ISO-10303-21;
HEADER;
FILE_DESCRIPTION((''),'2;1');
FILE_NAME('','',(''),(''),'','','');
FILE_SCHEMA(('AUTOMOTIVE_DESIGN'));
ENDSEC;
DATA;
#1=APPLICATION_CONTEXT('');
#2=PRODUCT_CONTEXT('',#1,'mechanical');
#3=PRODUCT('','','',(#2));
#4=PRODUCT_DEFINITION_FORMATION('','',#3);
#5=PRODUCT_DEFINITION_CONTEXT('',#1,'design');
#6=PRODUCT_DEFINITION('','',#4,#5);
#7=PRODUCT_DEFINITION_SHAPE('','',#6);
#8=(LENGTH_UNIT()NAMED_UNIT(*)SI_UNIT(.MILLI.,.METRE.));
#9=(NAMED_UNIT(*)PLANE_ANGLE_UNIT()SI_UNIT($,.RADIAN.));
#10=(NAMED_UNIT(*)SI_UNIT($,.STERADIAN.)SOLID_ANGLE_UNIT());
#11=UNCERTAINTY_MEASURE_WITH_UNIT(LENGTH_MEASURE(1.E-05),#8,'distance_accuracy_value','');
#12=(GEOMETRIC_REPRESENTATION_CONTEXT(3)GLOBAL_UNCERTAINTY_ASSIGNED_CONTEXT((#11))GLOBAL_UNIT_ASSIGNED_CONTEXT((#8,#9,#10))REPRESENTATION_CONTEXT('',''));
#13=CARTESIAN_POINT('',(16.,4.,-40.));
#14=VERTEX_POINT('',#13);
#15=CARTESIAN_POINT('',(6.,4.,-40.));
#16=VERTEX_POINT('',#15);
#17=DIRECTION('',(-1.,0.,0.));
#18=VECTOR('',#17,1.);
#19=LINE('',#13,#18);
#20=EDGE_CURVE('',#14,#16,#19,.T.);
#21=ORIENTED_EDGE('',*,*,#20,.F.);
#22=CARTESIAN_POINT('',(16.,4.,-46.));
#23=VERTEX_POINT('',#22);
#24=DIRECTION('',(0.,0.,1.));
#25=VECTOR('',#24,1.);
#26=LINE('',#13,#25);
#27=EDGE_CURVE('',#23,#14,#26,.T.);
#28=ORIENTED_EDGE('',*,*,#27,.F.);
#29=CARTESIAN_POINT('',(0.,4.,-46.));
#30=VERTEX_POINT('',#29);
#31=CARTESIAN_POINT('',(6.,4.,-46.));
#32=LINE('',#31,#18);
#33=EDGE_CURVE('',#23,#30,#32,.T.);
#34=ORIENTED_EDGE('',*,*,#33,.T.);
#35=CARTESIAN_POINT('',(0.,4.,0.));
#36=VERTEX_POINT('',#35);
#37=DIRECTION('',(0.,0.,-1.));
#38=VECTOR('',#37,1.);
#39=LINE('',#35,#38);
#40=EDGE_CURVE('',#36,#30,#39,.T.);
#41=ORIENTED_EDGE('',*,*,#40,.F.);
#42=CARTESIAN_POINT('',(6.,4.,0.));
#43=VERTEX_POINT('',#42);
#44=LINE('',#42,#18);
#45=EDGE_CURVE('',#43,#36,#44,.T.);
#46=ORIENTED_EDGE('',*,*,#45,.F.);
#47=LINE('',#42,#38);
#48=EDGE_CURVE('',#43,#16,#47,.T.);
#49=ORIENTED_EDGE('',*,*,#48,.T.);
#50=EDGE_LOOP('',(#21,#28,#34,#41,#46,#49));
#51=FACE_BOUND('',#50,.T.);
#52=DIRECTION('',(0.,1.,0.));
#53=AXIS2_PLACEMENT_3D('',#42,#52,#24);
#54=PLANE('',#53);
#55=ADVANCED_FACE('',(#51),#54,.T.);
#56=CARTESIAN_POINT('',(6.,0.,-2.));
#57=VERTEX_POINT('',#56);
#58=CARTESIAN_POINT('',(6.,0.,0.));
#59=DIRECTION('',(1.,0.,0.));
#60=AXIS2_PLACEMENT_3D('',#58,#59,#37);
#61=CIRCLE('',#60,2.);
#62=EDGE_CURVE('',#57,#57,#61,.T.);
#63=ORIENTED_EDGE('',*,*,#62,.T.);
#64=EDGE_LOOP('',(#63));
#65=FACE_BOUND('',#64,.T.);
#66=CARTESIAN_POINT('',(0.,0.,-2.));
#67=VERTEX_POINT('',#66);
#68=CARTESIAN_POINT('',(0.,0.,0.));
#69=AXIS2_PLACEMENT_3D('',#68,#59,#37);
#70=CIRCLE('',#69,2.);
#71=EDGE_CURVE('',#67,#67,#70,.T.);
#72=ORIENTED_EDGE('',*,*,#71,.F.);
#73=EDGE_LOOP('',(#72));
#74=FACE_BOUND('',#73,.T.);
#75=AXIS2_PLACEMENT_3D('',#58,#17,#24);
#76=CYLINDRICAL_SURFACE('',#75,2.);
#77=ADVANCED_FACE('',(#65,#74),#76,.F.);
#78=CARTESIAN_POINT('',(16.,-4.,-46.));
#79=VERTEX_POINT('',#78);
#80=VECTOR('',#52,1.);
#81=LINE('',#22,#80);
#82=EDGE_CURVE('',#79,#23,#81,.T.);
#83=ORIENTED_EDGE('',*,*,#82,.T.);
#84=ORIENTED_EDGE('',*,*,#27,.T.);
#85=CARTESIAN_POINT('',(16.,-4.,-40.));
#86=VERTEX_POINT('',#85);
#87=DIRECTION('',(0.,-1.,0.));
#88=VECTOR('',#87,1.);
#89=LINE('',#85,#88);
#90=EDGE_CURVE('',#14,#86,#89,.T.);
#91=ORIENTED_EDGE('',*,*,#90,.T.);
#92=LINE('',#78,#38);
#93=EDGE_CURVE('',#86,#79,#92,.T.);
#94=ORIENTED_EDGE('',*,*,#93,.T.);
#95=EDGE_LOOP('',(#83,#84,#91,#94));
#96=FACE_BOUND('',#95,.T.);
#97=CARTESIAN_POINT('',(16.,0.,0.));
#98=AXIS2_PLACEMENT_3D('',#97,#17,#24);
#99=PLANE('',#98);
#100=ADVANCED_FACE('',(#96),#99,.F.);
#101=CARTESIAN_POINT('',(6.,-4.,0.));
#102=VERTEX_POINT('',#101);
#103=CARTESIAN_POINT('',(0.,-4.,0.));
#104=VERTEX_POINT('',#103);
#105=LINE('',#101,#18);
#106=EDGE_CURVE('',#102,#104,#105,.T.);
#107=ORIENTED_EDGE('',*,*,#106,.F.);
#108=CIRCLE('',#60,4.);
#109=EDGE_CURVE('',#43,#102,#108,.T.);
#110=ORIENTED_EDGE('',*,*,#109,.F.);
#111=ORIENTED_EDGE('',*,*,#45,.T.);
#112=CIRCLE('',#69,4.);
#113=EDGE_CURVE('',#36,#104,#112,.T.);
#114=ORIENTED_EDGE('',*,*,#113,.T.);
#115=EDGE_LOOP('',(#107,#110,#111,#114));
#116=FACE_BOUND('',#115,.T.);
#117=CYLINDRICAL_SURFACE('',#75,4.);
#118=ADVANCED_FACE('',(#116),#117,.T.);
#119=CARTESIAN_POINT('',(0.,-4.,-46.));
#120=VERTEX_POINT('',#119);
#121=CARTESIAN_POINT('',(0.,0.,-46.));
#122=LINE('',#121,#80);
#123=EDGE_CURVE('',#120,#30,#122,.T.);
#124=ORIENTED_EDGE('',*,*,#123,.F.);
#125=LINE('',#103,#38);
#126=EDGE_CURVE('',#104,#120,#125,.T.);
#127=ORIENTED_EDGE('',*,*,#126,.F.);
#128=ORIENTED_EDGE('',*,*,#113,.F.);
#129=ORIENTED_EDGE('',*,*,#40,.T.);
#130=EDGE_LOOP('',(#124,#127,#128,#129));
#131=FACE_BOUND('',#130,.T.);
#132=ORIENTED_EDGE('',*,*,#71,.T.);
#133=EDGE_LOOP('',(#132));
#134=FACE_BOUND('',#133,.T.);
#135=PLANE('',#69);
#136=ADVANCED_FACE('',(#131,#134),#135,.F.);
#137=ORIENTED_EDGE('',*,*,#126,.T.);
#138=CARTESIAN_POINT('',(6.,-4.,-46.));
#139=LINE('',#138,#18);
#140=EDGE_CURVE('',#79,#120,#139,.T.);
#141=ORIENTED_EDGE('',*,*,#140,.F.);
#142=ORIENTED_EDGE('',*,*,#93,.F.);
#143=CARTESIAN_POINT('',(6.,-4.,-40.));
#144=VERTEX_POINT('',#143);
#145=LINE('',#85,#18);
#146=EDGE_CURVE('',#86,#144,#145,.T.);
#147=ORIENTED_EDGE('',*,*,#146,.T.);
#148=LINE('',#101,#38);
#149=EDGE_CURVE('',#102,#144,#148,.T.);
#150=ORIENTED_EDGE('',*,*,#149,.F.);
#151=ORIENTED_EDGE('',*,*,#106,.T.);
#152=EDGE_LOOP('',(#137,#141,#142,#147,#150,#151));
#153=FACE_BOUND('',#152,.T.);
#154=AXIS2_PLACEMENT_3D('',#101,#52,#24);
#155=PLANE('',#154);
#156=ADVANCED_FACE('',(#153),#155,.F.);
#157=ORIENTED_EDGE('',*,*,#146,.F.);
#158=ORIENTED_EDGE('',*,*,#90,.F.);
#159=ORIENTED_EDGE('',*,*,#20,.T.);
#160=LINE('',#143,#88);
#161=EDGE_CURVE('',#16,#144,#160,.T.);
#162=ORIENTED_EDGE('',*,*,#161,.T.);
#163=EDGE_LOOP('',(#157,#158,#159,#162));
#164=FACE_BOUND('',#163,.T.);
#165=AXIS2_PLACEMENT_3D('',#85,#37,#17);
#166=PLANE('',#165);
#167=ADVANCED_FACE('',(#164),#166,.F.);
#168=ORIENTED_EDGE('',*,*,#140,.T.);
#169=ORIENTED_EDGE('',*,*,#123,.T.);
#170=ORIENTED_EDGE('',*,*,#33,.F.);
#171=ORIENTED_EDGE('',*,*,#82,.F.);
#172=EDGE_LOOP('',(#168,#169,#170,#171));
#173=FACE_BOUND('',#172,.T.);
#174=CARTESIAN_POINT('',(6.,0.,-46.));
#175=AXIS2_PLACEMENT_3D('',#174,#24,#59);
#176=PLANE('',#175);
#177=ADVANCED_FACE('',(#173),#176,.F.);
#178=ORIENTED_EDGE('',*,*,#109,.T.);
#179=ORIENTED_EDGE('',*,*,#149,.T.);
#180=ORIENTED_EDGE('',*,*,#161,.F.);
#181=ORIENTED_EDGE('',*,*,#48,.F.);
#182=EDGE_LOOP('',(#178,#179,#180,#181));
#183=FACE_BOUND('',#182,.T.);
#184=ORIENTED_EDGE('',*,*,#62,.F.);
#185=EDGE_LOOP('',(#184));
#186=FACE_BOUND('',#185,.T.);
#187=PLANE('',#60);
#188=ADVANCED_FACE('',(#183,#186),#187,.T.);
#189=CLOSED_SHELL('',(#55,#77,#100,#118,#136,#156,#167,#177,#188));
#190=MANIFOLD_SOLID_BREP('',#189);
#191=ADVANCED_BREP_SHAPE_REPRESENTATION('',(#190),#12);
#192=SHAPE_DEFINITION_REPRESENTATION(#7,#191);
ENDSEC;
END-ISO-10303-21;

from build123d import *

# Parameters (mm, degrees)
SZKIC1_R                    = 4
SZKIC1_R_2                  = 2
DODANIE_WYCI_GNI_CIE1_DEPTH = 6
SZKIC2_W                    = 6
SZKIC2_H                    = 8
DODANIE_WYCI_GNI_CIE2_DEPTH = 10


with BuildPart() as part:
    # Szkic1 → Dodanie-wyciągnięcie1 (new body)
    # profile 1 of 2: a face of its own
    with BuildSketch(Plane(origin=(0, 0, 0), x_dir=(0, 0, -1), z_dir=(1, 0, 0))):
        with BuildLine():
            Line((46, 4), (0, 4))
            ThreePointArc((0, 4), (2.828427125, 2.828427125), (4, 0))
            ThreePointArc((4, 0), (2.828427125, -2.828427125), (0, -4))
            Line((0, -4), (46, -4))
            Line((46, -4), (46, 4))
        make_face()
    # profile 2 of 2: a face of its own
    with BuildSketch(Plane(origin=(0, 0, 0), x_dir=(0, 0, -1), z_dir=(1, 0, 0))):
        Circle(SZKIC1_R)
        Circle(SZKIC1_R_2, mode=Mode.SUBTRACT)
    extrude(amount=DODANIE_WYCI_GNI_CIE1_DEPTH)

    # Szkic2 → Dodanie-wyciągnięcie2 (add)
    with BuildSketch(Plane(origin=(6, 0, 0), x_dir=(0, 0, -1), z_dir=(1, 0, 0))):
        with Locations((43, 0)):
            Rectangle(SZKIC2_W, SZKIC2_H)
    extrude(amount=DODANIE_WYCI_GNI_CIE2_DEPTH)


solid = part.part
